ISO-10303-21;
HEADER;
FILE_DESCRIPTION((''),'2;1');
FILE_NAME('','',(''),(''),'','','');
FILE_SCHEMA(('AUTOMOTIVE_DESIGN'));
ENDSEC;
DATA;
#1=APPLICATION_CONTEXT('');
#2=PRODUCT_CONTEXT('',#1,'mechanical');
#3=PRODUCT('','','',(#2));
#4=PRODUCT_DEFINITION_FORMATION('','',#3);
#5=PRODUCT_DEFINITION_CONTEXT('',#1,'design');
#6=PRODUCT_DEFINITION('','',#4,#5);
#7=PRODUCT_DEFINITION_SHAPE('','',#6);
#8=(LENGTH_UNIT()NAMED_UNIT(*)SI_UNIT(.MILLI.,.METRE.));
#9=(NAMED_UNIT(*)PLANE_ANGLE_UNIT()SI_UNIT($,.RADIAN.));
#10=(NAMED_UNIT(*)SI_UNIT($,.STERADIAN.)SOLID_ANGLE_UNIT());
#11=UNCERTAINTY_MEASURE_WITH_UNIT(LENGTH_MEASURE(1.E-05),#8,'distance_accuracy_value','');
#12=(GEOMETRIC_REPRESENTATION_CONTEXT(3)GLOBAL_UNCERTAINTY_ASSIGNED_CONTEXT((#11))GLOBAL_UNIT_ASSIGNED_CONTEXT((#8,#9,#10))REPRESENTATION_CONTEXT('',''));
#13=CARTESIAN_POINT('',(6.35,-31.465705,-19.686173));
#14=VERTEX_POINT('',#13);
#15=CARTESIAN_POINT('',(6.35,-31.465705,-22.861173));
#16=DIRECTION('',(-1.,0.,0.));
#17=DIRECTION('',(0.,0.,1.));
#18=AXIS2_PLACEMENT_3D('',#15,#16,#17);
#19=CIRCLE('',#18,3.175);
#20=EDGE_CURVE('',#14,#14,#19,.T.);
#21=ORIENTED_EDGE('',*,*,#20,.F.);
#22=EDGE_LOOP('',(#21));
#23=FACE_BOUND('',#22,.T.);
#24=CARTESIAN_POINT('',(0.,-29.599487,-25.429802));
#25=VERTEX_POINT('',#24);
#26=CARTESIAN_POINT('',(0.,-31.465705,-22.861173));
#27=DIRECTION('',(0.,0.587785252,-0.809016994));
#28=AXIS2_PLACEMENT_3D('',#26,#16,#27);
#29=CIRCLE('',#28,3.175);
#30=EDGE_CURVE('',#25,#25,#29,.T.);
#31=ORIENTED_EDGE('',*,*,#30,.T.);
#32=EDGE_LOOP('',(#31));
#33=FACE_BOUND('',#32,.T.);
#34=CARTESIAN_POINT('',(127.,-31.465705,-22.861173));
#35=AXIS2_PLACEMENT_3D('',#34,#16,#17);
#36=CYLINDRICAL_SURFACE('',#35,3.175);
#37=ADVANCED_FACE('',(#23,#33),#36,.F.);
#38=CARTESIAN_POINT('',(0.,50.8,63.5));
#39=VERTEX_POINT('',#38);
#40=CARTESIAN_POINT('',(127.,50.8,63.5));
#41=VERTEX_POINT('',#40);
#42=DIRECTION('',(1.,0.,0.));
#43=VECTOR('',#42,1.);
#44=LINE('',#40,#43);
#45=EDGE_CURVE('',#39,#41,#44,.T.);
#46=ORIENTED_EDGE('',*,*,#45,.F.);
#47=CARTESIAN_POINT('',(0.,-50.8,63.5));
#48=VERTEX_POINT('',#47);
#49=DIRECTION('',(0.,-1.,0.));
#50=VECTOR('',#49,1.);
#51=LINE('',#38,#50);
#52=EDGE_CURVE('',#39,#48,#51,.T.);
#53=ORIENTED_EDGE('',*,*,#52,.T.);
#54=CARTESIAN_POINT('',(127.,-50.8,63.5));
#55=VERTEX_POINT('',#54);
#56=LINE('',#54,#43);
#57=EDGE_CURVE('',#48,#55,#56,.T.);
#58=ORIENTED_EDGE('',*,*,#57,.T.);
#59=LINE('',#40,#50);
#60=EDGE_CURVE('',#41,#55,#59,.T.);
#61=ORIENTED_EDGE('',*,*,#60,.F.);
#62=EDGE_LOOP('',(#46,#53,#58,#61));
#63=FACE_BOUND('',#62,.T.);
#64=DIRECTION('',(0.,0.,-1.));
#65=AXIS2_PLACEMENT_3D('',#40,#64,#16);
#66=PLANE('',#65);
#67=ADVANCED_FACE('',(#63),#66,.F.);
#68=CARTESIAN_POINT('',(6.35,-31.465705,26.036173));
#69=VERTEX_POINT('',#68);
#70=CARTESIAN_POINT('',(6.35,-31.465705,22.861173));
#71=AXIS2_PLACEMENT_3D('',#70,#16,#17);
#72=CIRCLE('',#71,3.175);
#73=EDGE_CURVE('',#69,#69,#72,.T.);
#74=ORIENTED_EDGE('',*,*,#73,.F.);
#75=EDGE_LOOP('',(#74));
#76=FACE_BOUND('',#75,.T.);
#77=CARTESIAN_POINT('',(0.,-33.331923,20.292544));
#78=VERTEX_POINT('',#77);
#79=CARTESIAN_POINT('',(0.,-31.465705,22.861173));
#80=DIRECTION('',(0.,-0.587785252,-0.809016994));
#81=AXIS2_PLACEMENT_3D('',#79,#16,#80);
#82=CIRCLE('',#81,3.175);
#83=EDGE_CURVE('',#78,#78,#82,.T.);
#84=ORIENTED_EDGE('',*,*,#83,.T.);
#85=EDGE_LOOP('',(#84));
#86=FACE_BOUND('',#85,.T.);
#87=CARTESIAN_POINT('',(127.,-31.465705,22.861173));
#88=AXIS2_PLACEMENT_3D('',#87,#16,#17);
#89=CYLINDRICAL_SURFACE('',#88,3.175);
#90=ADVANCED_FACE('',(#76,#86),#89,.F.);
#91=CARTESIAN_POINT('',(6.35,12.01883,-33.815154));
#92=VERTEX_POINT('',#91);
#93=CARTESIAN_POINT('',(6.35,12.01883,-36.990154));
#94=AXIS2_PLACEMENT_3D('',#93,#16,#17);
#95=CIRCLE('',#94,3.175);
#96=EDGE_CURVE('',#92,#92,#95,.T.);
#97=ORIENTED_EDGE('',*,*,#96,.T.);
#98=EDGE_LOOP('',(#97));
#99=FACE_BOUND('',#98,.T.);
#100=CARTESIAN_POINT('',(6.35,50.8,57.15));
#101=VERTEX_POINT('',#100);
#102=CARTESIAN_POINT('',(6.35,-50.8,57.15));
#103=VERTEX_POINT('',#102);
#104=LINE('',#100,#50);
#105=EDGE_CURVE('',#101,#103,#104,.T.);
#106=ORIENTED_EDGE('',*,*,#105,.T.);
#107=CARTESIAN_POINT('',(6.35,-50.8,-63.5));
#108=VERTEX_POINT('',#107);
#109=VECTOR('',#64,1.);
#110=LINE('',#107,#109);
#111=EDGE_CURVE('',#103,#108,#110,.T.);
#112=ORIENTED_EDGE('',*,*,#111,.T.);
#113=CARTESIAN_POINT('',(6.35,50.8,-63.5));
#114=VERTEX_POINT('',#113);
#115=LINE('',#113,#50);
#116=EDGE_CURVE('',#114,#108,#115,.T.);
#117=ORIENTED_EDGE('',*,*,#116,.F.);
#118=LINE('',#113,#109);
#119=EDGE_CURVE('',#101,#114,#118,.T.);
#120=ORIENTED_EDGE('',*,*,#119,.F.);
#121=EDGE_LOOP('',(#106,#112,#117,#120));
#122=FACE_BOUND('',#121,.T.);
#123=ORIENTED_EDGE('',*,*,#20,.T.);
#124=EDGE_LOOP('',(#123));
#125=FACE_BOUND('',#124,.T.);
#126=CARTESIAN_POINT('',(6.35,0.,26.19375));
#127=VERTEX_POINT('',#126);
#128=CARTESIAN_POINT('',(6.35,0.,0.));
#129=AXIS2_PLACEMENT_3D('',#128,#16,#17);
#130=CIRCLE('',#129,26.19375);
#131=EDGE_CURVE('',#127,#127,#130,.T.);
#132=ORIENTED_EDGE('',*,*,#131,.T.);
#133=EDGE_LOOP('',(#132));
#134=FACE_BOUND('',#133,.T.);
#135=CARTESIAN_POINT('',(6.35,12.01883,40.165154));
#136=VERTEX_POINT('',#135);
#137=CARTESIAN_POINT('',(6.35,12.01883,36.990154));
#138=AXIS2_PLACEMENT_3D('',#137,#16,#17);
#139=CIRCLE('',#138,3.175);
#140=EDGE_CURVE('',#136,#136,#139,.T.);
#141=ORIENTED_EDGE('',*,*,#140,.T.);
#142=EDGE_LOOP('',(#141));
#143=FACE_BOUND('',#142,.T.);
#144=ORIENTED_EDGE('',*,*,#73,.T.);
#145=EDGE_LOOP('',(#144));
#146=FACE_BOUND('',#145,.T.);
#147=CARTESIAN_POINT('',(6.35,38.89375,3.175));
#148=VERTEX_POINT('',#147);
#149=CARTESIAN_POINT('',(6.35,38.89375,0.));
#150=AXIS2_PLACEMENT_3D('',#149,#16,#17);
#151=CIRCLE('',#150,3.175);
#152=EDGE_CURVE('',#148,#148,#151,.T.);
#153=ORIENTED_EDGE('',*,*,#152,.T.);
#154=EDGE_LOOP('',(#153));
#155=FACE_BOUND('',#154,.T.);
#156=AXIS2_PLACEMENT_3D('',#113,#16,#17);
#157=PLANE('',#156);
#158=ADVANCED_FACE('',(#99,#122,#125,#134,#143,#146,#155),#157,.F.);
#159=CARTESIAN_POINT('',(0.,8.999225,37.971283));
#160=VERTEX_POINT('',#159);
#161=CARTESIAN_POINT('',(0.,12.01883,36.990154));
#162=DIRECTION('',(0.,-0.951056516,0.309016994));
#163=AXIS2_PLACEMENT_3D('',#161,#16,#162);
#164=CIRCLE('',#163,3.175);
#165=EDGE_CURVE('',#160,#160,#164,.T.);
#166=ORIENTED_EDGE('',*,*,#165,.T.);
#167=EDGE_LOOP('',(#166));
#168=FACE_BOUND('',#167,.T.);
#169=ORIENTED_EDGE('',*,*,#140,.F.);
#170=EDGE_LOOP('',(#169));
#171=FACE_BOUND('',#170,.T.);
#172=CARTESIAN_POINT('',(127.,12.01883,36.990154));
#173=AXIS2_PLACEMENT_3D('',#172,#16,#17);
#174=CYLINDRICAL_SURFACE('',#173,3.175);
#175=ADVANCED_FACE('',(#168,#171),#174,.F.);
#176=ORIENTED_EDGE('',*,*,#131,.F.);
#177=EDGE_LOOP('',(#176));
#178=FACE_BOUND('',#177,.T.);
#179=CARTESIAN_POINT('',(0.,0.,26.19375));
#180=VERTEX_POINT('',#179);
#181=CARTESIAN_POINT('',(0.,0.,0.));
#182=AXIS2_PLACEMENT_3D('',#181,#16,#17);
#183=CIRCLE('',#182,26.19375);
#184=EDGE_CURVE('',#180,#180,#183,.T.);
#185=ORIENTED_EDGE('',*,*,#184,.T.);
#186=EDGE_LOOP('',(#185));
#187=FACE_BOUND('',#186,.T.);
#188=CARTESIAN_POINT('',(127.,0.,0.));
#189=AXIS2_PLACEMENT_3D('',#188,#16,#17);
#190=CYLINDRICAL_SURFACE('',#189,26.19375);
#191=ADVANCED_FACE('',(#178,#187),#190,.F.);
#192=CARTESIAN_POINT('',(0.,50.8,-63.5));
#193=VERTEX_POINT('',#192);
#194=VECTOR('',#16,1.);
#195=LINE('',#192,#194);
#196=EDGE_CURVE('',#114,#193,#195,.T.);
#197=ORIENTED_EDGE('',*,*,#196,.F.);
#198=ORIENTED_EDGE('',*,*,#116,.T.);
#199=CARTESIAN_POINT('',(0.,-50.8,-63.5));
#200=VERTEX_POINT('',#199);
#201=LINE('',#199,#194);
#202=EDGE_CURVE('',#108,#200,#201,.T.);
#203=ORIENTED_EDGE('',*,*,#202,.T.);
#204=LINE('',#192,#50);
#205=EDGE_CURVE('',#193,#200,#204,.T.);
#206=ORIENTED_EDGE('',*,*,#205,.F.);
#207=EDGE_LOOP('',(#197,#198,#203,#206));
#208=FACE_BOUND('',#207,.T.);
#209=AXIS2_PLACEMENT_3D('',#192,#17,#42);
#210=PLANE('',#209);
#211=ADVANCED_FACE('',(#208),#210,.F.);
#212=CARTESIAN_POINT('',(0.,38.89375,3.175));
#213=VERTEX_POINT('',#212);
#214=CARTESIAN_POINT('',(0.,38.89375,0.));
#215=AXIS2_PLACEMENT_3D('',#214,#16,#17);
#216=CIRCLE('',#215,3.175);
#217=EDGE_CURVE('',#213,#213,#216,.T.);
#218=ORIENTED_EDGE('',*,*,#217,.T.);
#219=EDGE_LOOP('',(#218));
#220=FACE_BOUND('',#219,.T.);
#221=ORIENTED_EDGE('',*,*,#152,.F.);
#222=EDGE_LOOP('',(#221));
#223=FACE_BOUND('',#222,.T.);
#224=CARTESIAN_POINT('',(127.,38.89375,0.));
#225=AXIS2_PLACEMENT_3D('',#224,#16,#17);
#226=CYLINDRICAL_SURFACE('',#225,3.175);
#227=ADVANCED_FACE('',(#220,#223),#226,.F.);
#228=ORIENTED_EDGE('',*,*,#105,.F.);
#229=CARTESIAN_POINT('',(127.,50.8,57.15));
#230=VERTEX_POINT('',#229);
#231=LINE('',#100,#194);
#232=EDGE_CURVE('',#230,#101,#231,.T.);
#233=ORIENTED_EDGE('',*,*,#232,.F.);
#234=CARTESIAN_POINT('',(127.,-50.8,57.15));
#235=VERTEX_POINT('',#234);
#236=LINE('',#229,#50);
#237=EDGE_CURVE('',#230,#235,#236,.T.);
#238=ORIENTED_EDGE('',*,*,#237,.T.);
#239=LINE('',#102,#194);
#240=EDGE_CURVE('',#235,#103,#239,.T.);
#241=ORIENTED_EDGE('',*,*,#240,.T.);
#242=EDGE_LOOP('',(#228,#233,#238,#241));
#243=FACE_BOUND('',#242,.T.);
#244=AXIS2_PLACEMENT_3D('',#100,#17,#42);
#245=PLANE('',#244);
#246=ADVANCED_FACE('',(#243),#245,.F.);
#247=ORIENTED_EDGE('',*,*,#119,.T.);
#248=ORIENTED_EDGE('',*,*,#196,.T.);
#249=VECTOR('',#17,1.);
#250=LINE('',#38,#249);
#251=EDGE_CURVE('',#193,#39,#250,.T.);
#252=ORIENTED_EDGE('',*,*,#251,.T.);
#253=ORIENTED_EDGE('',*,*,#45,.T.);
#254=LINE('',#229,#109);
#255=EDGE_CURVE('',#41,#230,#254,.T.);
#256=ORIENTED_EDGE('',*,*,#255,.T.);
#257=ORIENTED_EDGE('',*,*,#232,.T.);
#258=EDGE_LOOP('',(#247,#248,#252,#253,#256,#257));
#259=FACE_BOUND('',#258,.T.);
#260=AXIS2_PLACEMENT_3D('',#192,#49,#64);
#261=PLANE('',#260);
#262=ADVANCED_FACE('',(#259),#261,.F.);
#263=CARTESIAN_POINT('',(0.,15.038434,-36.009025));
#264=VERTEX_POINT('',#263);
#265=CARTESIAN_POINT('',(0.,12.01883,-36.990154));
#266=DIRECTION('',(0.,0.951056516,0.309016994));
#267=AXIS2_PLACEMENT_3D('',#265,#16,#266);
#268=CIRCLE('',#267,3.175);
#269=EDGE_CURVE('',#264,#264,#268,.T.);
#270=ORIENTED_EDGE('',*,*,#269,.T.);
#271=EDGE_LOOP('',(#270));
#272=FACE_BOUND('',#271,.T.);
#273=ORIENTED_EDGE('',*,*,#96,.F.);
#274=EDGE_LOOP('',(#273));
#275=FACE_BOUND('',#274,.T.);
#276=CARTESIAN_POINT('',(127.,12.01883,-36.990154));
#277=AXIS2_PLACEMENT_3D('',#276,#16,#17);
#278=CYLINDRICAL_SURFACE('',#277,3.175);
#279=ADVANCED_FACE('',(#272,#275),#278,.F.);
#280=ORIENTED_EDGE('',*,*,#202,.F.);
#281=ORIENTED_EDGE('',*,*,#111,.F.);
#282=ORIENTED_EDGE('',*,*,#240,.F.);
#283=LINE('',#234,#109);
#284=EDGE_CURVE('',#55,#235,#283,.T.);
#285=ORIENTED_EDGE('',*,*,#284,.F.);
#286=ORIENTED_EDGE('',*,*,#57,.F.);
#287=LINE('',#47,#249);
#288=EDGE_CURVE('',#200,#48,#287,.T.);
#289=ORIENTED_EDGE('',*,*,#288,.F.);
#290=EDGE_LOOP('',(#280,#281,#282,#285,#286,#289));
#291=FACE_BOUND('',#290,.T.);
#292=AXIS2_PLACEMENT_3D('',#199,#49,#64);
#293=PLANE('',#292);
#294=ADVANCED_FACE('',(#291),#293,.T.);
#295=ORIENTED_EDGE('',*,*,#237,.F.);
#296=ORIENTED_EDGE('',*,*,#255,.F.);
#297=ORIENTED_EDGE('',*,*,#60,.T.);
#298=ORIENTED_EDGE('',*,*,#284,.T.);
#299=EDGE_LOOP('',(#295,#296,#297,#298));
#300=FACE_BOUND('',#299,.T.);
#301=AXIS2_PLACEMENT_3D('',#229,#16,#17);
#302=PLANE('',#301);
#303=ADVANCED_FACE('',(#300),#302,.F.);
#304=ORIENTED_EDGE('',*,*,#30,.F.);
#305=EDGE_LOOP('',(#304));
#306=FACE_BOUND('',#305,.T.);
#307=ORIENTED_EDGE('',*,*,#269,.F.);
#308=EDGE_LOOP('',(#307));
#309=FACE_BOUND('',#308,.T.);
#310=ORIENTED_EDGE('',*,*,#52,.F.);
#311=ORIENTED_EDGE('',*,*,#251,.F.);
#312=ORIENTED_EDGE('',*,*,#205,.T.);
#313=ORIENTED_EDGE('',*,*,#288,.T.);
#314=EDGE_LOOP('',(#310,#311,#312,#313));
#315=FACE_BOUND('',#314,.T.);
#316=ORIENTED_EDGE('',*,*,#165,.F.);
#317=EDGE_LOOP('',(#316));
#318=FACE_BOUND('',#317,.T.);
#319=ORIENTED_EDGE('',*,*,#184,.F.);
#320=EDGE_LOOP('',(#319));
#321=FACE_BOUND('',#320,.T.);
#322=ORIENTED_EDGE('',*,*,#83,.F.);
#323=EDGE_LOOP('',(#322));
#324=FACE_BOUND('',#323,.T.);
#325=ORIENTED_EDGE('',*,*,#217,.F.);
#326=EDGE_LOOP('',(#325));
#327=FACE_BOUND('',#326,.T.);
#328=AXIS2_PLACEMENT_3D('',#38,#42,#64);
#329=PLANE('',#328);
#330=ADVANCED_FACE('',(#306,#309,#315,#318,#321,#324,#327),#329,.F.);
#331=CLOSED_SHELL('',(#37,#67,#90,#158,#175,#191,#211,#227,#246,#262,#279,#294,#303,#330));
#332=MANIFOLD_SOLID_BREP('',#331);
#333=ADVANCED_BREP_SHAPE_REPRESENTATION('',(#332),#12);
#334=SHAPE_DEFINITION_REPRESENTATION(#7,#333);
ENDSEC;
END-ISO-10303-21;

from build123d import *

# Parameters (mm, degrees)
BOSS_EXTRUDE1_DEPTH = 50.8
SKETCH2_R           = 26.19375
CUT_EXTRUDE1_DEPTH  = 128
SKETCH3_R           = 3.175
CUT_EXTRUDE2_DEPTH  = 128
CIRPATTERN1_COUNT   = 5


with BuildPart() as part:
    # Sketch1 → Boss-Extrude1 (new body, symmetric)
    with BuildSketch(Plane(origin=(0, 0, 0), x_dir=(1, 0, 0), z_dir=(0, 1, 0))):
        Polygon((0, 63.5), (6.35, 63.5), (6.35, -57.15), (127, -57.15), (127, -63.5), (0, -63.5), align=None)
    extrude(amount=BOSS_EXTRUDE1_DEPTH, both=True)

    # Sketch2 → Cut-Extrude1 (cut, through all)
    with BuildSketch(Plane.ZY):
        Circle(SKETCH2_R)
    extrude(amount=-CUT_EXTRUDE1_DEPTH, mode=Mode.SUBTRACT)

    # Sketch3 → Cut-Extrude2 (cut, through all)
    with BuildSketch(Plane.ZY):
        with Locations((0, 38.89375)):
            Circle(SKETCH3_R)
    cut_extrude2 = extrude(amount=-CUT_EXTRUDE2_DEPTH, mode=Mode.SUBTRACT)

    # CirPattern1: Cut-Extrude2 ×5 about axis
    cirpattern1_axis = Axis((0, 0, 0), (1, 0, 0))
    for i in range(1, CIRPATTERN1_COUNT):
        add(cut_extrude2.rotate(cirpattern1_axis, i * 360 / CIRPATTERN1_COUNT), mode=Mode.SUBTRACT)


solid = part.part
